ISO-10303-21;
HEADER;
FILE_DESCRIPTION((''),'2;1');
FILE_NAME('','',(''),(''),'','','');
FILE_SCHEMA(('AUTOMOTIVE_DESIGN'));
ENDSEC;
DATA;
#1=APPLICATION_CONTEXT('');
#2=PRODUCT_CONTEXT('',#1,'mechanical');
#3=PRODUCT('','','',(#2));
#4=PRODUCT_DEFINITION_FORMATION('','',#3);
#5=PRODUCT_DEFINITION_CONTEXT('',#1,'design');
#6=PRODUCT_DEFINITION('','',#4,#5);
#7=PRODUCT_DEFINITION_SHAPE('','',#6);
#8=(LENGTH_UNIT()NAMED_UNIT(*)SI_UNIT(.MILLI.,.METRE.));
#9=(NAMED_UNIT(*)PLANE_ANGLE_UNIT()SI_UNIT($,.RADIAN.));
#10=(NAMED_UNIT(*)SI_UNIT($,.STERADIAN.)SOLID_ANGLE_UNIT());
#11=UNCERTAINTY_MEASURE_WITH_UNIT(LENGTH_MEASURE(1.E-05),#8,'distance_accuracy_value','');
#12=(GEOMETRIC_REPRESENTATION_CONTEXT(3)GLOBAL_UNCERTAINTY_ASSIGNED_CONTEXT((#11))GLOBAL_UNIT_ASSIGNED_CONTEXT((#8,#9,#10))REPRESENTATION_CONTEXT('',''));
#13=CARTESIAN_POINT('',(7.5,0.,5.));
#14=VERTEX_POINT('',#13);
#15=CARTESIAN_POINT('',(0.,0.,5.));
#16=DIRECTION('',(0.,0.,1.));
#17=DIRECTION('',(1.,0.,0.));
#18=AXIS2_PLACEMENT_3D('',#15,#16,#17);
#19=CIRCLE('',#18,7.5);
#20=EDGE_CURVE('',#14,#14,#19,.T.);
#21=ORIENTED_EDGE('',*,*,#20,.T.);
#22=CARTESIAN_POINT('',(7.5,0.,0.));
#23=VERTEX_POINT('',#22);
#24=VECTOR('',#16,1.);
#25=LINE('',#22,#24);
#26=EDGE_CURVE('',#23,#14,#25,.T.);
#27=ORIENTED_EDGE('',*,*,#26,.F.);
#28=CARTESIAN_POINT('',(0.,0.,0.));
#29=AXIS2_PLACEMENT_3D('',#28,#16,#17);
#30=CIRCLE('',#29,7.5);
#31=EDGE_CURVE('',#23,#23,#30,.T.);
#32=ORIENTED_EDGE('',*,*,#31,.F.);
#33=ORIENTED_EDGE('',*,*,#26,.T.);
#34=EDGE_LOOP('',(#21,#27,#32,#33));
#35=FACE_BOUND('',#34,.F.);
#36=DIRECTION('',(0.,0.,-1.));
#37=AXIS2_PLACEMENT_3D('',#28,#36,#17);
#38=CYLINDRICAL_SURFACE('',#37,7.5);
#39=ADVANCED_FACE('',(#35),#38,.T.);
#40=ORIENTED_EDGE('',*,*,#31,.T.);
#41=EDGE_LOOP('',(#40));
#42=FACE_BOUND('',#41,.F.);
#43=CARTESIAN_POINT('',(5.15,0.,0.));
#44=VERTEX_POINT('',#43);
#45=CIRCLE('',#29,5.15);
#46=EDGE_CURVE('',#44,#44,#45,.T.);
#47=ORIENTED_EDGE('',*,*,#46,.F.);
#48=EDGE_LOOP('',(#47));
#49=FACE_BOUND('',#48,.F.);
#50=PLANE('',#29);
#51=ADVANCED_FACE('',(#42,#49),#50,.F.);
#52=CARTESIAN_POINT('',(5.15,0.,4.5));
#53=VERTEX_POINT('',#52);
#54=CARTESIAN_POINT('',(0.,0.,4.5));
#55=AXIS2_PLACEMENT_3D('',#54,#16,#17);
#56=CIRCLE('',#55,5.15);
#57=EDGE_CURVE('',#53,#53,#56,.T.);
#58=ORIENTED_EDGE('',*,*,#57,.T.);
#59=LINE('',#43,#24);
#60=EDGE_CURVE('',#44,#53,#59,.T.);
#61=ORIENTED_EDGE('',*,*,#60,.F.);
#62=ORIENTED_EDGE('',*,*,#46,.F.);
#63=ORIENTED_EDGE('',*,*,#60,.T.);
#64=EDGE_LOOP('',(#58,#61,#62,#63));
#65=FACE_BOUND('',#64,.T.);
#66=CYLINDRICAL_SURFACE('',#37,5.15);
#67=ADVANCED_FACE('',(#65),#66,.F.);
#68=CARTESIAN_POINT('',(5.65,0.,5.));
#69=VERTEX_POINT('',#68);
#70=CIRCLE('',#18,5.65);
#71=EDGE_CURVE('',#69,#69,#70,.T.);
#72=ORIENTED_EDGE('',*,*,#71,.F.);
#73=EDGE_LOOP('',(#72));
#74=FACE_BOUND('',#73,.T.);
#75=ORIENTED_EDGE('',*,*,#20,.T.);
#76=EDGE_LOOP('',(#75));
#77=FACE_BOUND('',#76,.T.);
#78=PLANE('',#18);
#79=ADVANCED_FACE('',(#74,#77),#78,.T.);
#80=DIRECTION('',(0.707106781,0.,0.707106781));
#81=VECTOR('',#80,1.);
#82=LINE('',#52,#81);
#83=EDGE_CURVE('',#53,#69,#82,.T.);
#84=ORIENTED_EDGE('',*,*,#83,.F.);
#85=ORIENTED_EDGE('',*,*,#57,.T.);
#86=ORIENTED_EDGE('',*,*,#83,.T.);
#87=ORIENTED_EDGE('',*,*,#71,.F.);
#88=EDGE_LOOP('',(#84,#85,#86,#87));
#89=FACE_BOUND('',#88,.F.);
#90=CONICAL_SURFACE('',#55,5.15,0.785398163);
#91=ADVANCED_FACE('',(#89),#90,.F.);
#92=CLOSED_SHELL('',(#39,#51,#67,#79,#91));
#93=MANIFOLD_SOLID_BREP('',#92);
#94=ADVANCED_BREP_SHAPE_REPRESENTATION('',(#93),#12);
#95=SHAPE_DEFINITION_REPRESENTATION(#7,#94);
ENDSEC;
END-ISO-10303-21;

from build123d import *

# Parameters (mm, degrees)
SKETCH_R     = 7.5
SKETCH_R_2   = 5.15
PAD_DEPTH    = 5
CHAMFER_SIZE = 0.5


with BuildPart() as part:
    # Sketch → Pad (new body)
    with BuildSketch(Plane.XY):
        Circle(SKETCH_R)
        Circle(SKETCH_R_2, mode=Mode.SUBTRACT)
    extrude(amount=PAD_DEPTH)

    # Chamfer
    chamfer_edges = [part.edges().sort_by_distance(p)[0] for p in [
        (-5.15, 0, 5),
    ]]
    chamfer(chamfer_edges, length=CHAMFER_SIZE)


solid = part.part
